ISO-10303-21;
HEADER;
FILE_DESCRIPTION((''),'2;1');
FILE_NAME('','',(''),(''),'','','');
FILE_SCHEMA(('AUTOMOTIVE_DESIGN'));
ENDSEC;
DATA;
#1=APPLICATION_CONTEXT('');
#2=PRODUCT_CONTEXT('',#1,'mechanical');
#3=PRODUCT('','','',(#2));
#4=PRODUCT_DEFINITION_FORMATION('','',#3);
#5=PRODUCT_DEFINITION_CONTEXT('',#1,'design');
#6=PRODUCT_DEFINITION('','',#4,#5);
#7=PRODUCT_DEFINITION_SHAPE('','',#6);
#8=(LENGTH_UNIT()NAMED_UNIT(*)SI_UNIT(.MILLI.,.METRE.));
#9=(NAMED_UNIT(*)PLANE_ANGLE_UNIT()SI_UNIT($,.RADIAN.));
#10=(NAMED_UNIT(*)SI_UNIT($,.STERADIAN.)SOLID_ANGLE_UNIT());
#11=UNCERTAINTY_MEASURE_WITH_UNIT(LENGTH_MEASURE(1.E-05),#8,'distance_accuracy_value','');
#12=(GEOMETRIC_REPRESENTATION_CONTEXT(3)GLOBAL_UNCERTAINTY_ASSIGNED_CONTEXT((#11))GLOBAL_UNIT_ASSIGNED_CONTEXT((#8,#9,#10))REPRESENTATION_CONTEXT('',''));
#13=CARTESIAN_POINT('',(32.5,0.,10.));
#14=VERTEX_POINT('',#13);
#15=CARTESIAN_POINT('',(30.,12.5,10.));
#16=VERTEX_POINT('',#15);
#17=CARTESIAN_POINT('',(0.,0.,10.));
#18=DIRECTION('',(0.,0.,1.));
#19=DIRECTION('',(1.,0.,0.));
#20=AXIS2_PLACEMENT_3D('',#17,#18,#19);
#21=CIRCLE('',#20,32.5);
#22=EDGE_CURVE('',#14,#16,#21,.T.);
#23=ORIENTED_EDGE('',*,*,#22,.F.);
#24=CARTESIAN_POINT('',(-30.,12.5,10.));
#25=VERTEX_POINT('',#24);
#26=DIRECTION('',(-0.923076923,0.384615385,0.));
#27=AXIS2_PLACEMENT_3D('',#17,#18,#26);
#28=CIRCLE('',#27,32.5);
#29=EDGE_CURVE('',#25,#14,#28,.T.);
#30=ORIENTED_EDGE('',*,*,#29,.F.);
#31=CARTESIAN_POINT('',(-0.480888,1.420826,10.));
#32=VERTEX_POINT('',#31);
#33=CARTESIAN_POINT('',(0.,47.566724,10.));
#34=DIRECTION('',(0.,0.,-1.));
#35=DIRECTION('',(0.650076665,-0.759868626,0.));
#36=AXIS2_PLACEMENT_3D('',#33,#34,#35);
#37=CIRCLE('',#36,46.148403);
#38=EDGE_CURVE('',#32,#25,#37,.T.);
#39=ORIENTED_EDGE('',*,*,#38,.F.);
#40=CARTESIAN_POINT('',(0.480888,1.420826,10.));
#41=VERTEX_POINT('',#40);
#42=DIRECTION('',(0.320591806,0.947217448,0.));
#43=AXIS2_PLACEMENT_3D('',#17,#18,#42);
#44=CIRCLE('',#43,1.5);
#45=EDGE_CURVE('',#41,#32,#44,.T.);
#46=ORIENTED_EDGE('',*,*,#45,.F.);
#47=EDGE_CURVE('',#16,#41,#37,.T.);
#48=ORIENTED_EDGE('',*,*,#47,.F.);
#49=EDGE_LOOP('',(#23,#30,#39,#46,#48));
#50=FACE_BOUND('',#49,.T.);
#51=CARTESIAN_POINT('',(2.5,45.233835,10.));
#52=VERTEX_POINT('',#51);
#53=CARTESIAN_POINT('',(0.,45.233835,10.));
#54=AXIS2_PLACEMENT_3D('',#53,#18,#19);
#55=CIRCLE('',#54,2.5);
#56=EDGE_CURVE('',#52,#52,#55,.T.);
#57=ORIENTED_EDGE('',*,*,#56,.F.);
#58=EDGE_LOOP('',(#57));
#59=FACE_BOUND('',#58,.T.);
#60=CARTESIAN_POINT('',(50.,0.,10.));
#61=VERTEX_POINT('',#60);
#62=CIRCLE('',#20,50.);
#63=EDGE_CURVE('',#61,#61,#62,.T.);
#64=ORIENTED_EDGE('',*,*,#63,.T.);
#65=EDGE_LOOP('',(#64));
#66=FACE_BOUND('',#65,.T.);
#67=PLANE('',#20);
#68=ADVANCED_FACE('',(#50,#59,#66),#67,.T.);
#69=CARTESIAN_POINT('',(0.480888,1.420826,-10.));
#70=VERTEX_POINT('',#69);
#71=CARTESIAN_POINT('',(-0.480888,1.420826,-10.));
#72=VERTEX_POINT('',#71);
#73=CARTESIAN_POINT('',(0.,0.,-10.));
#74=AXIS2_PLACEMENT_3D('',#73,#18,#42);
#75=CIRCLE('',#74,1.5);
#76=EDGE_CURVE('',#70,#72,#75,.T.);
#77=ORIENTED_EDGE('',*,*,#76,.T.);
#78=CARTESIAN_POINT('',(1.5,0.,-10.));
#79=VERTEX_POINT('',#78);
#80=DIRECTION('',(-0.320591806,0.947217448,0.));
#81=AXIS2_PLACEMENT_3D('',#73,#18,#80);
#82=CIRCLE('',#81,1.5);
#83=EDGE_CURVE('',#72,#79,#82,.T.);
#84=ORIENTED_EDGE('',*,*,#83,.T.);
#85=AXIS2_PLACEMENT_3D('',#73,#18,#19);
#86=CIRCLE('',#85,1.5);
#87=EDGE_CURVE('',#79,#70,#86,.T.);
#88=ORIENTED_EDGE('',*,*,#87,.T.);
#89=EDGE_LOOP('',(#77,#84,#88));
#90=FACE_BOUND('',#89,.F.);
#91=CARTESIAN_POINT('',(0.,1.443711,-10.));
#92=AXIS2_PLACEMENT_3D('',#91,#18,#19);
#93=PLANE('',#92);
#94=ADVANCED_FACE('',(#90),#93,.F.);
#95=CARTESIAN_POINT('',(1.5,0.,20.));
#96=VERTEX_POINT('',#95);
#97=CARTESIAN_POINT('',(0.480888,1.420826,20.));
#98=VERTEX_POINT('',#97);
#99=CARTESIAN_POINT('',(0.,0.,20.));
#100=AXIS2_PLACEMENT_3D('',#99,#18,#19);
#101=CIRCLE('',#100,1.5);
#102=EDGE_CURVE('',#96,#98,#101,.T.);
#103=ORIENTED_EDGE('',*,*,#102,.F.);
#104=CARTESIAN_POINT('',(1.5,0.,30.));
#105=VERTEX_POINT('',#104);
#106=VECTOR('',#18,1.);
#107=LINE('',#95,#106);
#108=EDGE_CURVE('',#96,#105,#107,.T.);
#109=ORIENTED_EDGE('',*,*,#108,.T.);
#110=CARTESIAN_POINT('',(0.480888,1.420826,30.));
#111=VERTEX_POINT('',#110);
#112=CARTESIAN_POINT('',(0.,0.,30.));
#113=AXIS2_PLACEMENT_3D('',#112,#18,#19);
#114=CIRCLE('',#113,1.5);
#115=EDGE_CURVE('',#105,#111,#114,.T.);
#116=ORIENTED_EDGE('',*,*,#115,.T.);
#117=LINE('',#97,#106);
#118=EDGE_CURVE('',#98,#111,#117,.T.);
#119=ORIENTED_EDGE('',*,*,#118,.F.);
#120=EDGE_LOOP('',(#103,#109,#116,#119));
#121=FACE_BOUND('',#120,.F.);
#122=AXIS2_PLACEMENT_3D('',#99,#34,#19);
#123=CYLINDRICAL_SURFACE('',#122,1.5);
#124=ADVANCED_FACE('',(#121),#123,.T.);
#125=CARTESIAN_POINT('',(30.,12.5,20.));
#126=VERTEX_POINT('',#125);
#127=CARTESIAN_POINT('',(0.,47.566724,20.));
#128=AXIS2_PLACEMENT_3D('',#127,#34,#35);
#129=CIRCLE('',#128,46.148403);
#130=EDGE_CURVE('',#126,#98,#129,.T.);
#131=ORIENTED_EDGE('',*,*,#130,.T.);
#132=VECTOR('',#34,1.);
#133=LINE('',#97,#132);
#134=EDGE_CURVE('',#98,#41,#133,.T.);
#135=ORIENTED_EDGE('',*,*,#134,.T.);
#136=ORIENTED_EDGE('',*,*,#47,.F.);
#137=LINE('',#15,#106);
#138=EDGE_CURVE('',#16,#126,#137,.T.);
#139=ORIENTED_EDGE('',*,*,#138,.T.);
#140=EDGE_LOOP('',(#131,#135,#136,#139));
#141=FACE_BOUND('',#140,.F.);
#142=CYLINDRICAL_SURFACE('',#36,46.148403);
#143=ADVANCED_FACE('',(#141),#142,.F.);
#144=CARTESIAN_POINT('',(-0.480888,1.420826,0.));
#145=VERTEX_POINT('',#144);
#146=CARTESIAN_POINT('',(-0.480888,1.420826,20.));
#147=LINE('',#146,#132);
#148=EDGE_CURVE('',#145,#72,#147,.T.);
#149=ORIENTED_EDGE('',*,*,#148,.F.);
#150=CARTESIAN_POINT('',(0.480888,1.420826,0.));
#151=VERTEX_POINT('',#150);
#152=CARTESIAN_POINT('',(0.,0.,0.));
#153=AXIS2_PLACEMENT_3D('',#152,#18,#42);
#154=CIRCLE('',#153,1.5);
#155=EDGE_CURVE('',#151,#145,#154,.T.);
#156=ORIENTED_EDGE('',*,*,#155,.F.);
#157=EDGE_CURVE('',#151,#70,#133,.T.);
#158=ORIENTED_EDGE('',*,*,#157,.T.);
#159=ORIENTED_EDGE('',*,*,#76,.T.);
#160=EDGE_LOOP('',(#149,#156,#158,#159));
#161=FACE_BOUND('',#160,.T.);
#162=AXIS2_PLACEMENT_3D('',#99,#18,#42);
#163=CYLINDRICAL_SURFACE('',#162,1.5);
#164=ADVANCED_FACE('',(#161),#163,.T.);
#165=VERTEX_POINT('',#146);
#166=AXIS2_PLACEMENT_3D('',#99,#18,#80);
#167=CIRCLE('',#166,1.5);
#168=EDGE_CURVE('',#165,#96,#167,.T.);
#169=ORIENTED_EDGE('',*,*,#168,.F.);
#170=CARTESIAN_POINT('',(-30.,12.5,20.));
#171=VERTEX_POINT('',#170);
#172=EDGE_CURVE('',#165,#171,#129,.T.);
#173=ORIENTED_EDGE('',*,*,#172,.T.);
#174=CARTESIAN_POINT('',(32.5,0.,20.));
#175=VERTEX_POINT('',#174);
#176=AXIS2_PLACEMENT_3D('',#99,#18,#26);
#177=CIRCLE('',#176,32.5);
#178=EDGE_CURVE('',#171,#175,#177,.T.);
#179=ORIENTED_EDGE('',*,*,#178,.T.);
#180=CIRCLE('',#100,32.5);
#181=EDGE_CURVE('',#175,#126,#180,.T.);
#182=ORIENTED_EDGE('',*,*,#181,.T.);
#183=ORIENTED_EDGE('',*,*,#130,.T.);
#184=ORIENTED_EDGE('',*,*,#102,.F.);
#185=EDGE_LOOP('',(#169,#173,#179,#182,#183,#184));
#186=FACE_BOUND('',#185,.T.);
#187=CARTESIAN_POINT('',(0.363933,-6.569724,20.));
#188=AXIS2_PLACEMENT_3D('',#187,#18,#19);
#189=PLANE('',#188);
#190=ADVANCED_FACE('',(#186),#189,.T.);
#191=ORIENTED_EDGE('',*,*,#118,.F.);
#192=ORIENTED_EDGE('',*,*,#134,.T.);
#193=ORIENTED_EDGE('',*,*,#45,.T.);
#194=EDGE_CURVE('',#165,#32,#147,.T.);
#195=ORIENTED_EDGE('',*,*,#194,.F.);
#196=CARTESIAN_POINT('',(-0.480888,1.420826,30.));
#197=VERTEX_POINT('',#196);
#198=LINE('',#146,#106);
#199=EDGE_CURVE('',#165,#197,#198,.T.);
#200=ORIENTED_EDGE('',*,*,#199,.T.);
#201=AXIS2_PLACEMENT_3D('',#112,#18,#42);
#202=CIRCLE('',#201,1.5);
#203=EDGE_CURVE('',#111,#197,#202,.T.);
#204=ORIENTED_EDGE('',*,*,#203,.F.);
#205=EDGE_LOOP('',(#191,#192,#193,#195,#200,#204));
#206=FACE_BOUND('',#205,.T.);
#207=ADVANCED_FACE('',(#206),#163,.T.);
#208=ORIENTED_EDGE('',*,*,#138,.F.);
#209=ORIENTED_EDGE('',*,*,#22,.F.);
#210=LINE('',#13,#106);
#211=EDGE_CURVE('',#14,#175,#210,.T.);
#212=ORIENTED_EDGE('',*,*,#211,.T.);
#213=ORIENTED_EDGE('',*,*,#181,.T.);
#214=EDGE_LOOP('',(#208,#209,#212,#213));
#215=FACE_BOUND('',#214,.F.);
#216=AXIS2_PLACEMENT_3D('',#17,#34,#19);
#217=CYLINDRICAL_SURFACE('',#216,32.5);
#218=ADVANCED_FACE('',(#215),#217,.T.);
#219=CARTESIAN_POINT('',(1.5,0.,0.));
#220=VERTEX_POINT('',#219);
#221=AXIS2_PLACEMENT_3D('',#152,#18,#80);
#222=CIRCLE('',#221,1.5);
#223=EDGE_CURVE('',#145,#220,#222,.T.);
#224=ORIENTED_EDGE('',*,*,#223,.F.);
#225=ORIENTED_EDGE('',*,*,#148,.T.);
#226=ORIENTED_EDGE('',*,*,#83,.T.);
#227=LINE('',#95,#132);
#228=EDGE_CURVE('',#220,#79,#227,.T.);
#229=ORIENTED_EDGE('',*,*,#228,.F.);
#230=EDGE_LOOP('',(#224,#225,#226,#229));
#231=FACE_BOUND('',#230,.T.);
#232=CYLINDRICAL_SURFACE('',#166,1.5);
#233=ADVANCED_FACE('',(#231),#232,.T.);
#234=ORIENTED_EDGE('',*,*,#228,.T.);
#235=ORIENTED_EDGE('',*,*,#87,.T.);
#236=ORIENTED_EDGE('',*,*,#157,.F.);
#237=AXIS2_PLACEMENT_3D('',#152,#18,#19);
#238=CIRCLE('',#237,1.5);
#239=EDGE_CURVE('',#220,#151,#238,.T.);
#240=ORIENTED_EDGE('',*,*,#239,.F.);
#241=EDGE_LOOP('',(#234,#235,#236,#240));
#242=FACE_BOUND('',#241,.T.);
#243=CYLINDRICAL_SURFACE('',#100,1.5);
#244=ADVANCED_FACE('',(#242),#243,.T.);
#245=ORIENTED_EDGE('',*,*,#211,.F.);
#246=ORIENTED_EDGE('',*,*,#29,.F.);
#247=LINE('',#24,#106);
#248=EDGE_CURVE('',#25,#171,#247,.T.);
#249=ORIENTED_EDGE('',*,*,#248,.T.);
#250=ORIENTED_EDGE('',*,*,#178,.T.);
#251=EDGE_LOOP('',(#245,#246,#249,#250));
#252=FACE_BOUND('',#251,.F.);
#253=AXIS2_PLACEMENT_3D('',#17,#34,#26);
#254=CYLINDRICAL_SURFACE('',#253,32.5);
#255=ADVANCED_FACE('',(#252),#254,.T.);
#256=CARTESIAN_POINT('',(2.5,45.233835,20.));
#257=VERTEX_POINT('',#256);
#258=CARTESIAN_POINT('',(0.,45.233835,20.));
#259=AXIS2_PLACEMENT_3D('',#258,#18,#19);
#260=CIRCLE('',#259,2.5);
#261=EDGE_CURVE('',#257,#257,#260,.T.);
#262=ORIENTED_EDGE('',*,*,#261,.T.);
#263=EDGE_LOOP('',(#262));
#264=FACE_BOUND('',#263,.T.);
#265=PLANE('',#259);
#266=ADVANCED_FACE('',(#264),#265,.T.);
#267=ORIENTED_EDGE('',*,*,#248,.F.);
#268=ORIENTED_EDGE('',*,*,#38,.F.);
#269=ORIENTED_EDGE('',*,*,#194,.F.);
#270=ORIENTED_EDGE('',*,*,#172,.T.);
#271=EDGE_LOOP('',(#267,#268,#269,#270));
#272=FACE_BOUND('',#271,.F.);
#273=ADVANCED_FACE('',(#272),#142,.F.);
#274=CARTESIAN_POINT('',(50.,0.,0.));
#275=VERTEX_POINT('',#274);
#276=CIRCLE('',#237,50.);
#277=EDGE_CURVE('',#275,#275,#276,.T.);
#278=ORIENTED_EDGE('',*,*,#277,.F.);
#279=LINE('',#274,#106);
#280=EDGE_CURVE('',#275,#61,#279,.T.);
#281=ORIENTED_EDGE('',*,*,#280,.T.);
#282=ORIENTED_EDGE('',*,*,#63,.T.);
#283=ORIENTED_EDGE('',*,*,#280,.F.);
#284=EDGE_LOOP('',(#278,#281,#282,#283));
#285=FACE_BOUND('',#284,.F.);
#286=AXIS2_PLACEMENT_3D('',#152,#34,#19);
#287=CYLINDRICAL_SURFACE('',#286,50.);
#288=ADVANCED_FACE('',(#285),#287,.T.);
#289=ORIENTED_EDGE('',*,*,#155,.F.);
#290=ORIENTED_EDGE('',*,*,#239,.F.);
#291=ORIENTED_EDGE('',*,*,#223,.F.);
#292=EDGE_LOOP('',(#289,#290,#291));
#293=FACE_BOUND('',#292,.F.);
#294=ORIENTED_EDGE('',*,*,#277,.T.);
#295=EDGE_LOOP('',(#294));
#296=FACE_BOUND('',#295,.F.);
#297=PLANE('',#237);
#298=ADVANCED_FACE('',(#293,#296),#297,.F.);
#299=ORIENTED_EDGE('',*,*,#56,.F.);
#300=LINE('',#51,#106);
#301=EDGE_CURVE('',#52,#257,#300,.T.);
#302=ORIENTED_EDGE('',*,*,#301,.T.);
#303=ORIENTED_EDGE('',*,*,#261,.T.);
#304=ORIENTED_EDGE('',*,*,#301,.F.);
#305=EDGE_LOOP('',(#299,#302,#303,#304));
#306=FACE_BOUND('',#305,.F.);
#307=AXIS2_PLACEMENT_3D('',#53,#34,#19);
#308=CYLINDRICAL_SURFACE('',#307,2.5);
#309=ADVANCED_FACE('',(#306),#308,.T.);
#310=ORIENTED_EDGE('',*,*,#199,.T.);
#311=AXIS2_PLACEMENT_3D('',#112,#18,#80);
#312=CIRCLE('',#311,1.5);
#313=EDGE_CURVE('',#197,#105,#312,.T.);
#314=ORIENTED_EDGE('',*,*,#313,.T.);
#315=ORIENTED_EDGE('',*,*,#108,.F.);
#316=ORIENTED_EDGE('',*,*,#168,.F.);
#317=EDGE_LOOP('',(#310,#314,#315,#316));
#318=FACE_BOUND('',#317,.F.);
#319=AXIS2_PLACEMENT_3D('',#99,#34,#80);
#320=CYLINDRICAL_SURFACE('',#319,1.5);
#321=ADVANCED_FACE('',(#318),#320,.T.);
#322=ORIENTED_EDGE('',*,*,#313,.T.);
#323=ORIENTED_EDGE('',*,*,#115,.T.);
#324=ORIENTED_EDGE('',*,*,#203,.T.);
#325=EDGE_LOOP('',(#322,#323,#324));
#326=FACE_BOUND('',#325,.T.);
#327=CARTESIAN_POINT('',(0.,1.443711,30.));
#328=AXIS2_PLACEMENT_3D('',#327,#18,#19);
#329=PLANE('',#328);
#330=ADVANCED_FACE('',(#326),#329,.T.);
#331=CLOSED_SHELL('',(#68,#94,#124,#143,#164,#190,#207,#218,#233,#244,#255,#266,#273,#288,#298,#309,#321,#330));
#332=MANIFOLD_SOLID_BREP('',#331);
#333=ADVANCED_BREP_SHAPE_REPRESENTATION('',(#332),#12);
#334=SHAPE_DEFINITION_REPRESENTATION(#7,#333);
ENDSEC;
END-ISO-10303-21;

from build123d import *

# Parameters (mm, degrees)
F0_R          = 50
F1_DEPTH      = 10
F3_DEPTH      = 10
F5_DEPTH      = 10
F5_DEPTH_BACK = 30
F7_R          = 2.5
F8_DEPTH      = 10


with BuildPart() as f1:
    # F0 (on Top) → F1 (new body)
    with BuildSketch(Plane.XY):
        Circle(F0_R)
    extrude(amount=F1_DEPTH)

    # F2 (on face) → F3 (join)
    with BuildSketch(Plane.XY.offset(10)):
        with BuildLine():
            ThreePointArc((-30, 12.5), (-6.373774392, -31.86887196), (32.5, 0))
            ThreePointArc((32.5, 0), (31.86887196, 6.373774392), (30, 12.5))
            ThreePointArc((30, 12.5), (0, 1.418320568), (-30, 12.5))
        make_face()
    extrude(amount=F3_DEPTH)

    # F4 (on face) → F5 (join, two sides)
    with BuildSketch(Plane.XY.offset(20)) as f5_sk:
        with BuildLine():
            ThreePointArc((-0.4808877088, 1.4208261722), (0, 1.418320568), (0.4808877088, 1.4208261722))
            ThreePointArc((0.4808877088, 1.4208261722), (0, 1.5), (-0.4808877088, 1.4208261722))
        make_face()
        with BuildLine():
            ThreePointArc((-0.4808877088, 1.4208261722), (-0.8742620994, -1.2188789036), (1.5, 0))
            ThreePointArc((1.5, 0), (1.2188789036, 0.8742620994), (0.4808877088, 1.4208261722))
            ThreePointArc((0.4808877088, 1.4208261722), (0, 1.418320568), (-0.4808877088, 1.4208261722))
        make_face()
    extrude(amount=F5_DEPTH)
    extrude(f5_sk.sketch, amount=-F5_DEPTH_BACK)

    # F7 (on face) → F8 (join)
    with BuildSketch(Plane.XY.offset(10)):
        with Locations((0, 45.2338345349)):
            Circle(F7_R)
    extrude(amount=F8_DEPTH)


solid = f1.part
